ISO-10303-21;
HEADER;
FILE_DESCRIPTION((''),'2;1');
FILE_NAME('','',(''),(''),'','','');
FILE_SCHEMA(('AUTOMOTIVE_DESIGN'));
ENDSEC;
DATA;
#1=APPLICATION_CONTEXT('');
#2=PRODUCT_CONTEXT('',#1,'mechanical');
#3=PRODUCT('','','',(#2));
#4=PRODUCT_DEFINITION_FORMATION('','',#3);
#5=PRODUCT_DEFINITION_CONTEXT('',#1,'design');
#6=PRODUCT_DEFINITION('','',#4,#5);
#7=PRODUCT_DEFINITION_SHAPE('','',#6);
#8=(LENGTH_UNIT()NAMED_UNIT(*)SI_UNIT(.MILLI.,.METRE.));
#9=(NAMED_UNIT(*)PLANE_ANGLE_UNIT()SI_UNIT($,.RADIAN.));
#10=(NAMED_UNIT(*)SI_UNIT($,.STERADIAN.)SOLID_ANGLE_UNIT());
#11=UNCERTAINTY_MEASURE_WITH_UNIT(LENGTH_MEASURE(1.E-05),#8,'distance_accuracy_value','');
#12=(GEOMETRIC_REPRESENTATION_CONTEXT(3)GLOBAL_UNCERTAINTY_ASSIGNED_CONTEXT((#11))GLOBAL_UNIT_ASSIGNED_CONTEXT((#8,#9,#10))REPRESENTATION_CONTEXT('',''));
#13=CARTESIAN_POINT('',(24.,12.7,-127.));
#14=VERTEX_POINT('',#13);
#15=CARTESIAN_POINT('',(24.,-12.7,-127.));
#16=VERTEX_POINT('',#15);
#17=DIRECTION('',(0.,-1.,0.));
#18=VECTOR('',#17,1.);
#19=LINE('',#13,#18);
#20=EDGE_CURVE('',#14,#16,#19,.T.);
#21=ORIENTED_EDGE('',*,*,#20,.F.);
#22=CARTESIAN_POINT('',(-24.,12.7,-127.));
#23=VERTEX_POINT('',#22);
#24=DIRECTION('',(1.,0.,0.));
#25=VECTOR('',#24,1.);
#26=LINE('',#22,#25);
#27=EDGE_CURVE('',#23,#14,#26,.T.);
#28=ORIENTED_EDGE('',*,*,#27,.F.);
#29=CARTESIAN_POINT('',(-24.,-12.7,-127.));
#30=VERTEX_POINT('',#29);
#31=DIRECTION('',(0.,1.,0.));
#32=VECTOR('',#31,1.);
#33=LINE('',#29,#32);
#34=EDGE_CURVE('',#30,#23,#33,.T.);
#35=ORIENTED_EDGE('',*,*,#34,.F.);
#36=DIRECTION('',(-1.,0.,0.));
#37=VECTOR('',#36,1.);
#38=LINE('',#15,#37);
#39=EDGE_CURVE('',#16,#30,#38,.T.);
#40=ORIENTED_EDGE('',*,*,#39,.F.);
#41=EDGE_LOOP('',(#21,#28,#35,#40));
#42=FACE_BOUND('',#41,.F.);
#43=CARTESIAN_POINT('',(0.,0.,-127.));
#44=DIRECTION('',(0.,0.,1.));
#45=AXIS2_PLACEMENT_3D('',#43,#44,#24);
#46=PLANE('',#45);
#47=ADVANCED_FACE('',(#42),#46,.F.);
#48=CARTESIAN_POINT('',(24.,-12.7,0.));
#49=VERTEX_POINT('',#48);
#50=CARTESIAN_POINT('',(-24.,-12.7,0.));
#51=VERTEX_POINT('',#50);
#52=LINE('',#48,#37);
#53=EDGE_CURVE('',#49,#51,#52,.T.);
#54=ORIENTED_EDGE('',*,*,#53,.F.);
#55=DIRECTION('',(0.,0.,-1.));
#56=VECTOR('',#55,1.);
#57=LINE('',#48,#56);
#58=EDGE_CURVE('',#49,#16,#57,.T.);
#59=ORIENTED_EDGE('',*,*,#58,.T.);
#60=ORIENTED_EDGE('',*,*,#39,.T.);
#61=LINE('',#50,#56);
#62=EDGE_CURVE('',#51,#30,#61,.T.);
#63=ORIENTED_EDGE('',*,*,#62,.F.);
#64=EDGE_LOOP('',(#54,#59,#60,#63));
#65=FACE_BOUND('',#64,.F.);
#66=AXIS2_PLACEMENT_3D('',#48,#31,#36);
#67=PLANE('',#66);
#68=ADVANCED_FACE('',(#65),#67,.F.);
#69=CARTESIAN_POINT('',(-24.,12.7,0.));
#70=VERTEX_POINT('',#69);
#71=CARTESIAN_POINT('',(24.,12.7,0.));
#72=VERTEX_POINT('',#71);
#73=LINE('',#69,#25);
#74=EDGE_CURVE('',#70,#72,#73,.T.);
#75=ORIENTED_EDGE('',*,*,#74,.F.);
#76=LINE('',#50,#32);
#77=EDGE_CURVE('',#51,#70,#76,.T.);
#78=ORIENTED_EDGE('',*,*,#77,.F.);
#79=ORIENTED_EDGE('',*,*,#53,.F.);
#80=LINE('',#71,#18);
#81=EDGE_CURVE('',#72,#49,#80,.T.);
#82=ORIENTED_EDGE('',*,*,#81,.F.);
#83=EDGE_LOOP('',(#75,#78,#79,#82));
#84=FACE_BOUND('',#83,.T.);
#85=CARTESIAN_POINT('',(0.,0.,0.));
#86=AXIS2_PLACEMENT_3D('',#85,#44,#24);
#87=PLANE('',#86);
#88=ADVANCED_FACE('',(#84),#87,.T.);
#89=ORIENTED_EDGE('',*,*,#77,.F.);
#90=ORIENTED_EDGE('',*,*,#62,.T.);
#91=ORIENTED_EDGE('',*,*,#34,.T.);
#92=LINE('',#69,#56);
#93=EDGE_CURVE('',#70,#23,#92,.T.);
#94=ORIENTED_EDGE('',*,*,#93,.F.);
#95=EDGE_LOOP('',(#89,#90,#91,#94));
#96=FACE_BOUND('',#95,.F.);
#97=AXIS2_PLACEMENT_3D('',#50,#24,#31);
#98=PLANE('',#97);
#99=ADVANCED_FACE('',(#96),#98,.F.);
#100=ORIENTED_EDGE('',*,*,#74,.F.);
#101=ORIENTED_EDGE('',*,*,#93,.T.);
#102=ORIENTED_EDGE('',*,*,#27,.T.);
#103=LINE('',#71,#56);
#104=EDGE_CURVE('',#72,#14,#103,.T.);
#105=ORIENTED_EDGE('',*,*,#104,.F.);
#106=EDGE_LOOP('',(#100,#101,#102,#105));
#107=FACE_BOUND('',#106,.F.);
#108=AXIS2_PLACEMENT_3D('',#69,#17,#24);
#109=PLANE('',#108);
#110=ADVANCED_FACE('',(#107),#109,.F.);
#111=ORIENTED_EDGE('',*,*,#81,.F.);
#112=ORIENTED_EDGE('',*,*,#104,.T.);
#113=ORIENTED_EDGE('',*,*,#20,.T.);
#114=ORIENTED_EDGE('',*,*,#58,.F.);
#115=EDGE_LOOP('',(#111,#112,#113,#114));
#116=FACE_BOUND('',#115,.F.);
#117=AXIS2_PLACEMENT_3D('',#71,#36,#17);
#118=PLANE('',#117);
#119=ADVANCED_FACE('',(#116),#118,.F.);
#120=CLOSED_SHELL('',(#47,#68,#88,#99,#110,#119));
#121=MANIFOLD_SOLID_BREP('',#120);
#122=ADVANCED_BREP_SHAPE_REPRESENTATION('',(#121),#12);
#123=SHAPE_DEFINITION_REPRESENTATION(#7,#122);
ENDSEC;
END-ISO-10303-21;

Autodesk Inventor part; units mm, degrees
ref_plane "YZ Plane" through (0, 0, 0) normal (1, 0, 0) x (0, 1, 0)
ref_plane "XZ Plane" through (0, 0, 0) normal (0, 1, 0) x (-1, 0, 0)
ref_plane "XY Plane" through (0, 0, 0) normal (0, 0, 1) x (1, 0, 0)
sketch "Sketch1" plane through (0, 0, 0) normal (0, 0, 1) x (1, 0, 0)
  line L0 (-24, 12.7) -> (24, 12.7)
  line L1 (24, 12.7) -> (24, -12.7)
  line L2 (24, -12.7) -> (-24, -12.7)
  line L3 (-24, -12.7) -> (-24, 12.7)
  line L4 (-24, 12.7) -> (24, -12.7) construction
  line L5 (24, 12.7) -> (-24, -12.7) construction
  point P0 (0, 0)
  dimension "d0" = 48
  dimension "d1" = 25.4
extrude "Extrusion1" add sketch "Sketch1" against normal blind 127
sketch "Sketch2" plane through (0, 0, 0) normal (0, 0, 1) x (1, 0, 0)
  line L0 (-24, 12.7) -> (24, 12.7) projected
  line L1 (-24, 12.7) -> (22.7997, 12.7665) construction
  line L2 (22.7997, 12.7665) -> (22.836, -12.7908) construction
  line L3 (22.836, -12.7908) -> (-23.9637, -12.8573) construction
  line L4 (-23.9637, -12.8573) -> (-24, 12.7) construction
  point P0 (0, 0)
properties part number "Omega_CN32PT-330" material "ABS Plastic"
